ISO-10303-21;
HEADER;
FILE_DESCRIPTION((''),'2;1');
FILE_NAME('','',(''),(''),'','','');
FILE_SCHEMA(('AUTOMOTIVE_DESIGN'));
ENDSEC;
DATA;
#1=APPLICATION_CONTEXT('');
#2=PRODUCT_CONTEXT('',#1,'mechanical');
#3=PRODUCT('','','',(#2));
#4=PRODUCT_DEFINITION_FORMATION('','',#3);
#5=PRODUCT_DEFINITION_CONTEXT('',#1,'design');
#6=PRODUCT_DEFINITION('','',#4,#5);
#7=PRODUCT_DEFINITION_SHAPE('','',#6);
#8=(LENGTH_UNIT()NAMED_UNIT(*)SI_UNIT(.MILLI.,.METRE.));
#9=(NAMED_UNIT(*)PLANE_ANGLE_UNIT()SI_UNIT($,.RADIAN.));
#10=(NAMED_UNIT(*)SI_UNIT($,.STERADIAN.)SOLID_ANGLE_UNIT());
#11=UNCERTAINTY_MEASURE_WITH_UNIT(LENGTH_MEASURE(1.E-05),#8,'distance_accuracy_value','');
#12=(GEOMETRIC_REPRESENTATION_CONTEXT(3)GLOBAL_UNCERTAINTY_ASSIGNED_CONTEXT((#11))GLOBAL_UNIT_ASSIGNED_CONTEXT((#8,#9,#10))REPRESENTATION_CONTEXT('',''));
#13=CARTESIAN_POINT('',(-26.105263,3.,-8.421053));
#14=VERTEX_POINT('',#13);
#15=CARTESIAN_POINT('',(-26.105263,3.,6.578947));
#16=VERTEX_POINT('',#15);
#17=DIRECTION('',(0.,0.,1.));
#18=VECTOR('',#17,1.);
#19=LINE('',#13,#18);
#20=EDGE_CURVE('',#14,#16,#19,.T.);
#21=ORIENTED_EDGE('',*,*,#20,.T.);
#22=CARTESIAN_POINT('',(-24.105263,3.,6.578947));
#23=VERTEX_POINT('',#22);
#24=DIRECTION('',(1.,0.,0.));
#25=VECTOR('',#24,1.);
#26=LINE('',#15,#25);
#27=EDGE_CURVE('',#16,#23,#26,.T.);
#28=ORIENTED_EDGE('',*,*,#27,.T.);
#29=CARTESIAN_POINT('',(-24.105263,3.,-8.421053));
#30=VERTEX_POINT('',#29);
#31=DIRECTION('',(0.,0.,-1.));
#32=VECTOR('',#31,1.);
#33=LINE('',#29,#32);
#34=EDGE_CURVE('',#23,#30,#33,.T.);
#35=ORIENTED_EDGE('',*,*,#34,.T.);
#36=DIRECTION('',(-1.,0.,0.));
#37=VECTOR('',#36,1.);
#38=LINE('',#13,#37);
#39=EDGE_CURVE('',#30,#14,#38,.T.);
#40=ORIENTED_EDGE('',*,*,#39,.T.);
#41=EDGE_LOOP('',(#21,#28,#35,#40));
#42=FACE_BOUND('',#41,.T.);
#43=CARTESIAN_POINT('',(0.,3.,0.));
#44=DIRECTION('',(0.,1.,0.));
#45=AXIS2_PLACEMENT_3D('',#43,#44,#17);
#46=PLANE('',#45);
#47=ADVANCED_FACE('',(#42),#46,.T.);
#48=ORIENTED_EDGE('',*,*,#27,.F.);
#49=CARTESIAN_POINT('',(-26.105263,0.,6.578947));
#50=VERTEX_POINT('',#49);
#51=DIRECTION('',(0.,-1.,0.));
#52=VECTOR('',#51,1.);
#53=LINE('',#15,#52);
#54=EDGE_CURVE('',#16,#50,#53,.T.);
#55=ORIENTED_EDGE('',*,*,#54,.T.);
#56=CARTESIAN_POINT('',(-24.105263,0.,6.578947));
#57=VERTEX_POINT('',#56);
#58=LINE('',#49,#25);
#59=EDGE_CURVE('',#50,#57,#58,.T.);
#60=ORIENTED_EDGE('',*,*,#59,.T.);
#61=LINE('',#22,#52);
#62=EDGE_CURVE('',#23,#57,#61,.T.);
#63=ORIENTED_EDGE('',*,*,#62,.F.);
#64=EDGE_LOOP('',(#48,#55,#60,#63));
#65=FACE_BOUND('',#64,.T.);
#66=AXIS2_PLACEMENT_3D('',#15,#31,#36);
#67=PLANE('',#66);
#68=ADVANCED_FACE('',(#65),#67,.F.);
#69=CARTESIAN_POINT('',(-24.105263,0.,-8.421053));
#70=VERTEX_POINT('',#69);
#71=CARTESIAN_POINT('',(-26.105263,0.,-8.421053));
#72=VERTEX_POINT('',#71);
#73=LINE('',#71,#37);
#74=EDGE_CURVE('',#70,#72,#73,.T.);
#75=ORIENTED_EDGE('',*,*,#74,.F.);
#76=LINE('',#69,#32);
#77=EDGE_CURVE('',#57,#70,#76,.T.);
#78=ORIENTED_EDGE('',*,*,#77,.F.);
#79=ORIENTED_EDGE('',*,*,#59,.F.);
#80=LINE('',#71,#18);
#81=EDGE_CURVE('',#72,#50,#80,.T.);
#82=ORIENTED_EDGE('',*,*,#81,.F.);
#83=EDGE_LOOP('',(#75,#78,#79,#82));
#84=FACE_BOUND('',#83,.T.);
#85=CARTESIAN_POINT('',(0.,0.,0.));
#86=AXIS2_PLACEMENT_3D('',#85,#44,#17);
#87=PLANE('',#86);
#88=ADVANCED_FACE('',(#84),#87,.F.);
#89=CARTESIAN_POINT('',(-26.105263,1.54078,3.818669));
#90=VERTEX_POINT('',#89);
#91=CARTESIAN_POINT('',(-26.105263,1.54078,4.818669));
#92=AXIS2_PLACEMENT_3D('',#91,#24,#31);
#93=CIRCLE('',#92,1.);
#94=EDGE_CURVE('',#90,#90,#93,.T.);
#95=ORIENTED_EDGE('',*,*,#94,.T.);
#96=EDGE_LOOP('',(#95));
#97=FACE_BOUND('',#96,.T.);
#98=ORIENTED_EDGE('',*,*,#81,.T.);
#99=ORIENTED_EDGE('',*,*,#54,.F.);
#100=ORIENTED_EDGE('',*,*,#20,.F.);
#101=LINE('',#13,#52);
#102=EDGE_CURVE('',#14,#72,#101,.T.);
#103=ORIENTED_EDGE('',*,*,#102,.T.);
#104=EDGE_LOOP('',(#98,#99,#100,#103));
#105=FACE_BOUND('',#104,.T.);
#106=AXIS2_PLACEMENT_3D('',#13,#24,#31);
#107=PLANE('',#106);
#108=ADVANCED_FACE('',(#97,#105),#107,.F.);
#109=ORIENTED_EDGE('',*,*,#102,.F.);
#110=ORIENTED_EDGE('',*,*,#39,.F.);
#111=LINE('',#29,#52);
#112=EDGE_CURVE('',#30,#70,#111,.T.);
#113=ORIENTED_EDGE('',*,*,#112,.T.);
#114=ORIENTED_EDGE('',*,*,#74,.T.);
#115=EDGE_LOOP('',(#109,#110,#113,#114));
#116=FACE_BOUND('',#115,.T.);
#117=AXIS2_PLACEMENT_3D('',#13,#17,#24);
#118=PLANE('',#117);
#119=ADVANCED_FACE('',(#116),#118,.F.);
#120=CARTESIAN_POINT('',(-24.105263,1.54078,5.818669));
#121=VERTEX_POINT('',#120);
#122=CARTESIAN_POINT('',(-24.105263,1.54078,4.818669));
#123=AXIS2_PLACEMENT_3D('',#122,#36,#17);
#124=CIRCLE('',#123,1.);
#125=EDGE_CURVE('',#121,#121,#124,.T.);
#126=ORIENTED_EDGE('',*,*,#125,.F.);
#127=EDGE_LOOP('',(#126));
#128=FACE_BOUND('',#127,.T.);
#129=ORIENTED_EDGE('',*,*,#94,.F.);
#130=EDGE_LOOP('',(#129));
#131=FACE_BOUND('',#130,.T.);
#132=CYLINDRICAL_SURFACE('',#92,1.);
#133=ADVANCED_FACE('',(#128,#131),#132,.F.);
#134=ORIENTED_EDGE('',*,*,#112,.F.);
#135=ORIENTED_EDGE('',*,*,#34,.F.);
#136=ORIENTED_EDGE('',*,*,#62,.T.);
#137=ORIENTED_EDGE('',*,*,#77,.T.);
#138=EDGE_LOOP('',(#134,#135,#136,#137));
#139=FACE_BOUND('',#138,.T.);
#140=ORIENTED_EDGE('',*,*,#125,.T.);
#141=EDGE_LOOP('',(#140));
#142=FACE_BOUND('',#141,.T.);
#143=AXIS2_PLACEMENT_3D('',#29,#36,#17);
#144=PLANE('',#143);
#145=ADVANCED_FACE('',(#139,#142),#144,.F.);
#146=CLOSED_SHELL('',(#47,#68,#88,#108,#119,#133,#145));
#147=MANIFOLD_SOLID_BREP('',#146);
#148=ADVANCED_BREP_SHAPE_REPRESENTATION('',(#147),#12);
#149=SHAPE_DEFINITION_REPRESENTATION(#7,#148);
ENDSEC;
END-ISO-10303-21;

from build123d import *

# Parameters (mm, degrees)
SKETCH_1_W          = 2
SKETCH_1_H          = 15
EXTRUDE_2_DEPTH     = 3
SKETCH_2_R          = 1
CUT_EXTRUDE_1_DEPTH = 28.593457412


with BuildPart() as part:
    # 草图1 → 凸台-拉伸2 (new body)
    with BuildSketch(Plane(origin=(0, 0, 0), x_dir=(1, 0, 0), z_dir=(0, 1, 0))):
        with Locations((-25.105263158, 0.921052632)):
            Rectangle(SKETCH_1_W, SKETCH_1_H)
    extrude(amount=EXTRUDE_2_DEPTH)

    # 草图2 → 切除-拉伸1 (cut, through all)
    with BuildSketch(Plane(origin=(0, 0, 0), x_dir=(0, 0, -1), z_dir=(1, 0, 0))):
        with Locations((-4.818669328, 1.540779552)):
            Circle(SKETCH_2_R)
    extrude(amount=-CUT_EXTRUDE_1_DEPTH, mode=Mode.SUBTRACT)


solid = part.part
